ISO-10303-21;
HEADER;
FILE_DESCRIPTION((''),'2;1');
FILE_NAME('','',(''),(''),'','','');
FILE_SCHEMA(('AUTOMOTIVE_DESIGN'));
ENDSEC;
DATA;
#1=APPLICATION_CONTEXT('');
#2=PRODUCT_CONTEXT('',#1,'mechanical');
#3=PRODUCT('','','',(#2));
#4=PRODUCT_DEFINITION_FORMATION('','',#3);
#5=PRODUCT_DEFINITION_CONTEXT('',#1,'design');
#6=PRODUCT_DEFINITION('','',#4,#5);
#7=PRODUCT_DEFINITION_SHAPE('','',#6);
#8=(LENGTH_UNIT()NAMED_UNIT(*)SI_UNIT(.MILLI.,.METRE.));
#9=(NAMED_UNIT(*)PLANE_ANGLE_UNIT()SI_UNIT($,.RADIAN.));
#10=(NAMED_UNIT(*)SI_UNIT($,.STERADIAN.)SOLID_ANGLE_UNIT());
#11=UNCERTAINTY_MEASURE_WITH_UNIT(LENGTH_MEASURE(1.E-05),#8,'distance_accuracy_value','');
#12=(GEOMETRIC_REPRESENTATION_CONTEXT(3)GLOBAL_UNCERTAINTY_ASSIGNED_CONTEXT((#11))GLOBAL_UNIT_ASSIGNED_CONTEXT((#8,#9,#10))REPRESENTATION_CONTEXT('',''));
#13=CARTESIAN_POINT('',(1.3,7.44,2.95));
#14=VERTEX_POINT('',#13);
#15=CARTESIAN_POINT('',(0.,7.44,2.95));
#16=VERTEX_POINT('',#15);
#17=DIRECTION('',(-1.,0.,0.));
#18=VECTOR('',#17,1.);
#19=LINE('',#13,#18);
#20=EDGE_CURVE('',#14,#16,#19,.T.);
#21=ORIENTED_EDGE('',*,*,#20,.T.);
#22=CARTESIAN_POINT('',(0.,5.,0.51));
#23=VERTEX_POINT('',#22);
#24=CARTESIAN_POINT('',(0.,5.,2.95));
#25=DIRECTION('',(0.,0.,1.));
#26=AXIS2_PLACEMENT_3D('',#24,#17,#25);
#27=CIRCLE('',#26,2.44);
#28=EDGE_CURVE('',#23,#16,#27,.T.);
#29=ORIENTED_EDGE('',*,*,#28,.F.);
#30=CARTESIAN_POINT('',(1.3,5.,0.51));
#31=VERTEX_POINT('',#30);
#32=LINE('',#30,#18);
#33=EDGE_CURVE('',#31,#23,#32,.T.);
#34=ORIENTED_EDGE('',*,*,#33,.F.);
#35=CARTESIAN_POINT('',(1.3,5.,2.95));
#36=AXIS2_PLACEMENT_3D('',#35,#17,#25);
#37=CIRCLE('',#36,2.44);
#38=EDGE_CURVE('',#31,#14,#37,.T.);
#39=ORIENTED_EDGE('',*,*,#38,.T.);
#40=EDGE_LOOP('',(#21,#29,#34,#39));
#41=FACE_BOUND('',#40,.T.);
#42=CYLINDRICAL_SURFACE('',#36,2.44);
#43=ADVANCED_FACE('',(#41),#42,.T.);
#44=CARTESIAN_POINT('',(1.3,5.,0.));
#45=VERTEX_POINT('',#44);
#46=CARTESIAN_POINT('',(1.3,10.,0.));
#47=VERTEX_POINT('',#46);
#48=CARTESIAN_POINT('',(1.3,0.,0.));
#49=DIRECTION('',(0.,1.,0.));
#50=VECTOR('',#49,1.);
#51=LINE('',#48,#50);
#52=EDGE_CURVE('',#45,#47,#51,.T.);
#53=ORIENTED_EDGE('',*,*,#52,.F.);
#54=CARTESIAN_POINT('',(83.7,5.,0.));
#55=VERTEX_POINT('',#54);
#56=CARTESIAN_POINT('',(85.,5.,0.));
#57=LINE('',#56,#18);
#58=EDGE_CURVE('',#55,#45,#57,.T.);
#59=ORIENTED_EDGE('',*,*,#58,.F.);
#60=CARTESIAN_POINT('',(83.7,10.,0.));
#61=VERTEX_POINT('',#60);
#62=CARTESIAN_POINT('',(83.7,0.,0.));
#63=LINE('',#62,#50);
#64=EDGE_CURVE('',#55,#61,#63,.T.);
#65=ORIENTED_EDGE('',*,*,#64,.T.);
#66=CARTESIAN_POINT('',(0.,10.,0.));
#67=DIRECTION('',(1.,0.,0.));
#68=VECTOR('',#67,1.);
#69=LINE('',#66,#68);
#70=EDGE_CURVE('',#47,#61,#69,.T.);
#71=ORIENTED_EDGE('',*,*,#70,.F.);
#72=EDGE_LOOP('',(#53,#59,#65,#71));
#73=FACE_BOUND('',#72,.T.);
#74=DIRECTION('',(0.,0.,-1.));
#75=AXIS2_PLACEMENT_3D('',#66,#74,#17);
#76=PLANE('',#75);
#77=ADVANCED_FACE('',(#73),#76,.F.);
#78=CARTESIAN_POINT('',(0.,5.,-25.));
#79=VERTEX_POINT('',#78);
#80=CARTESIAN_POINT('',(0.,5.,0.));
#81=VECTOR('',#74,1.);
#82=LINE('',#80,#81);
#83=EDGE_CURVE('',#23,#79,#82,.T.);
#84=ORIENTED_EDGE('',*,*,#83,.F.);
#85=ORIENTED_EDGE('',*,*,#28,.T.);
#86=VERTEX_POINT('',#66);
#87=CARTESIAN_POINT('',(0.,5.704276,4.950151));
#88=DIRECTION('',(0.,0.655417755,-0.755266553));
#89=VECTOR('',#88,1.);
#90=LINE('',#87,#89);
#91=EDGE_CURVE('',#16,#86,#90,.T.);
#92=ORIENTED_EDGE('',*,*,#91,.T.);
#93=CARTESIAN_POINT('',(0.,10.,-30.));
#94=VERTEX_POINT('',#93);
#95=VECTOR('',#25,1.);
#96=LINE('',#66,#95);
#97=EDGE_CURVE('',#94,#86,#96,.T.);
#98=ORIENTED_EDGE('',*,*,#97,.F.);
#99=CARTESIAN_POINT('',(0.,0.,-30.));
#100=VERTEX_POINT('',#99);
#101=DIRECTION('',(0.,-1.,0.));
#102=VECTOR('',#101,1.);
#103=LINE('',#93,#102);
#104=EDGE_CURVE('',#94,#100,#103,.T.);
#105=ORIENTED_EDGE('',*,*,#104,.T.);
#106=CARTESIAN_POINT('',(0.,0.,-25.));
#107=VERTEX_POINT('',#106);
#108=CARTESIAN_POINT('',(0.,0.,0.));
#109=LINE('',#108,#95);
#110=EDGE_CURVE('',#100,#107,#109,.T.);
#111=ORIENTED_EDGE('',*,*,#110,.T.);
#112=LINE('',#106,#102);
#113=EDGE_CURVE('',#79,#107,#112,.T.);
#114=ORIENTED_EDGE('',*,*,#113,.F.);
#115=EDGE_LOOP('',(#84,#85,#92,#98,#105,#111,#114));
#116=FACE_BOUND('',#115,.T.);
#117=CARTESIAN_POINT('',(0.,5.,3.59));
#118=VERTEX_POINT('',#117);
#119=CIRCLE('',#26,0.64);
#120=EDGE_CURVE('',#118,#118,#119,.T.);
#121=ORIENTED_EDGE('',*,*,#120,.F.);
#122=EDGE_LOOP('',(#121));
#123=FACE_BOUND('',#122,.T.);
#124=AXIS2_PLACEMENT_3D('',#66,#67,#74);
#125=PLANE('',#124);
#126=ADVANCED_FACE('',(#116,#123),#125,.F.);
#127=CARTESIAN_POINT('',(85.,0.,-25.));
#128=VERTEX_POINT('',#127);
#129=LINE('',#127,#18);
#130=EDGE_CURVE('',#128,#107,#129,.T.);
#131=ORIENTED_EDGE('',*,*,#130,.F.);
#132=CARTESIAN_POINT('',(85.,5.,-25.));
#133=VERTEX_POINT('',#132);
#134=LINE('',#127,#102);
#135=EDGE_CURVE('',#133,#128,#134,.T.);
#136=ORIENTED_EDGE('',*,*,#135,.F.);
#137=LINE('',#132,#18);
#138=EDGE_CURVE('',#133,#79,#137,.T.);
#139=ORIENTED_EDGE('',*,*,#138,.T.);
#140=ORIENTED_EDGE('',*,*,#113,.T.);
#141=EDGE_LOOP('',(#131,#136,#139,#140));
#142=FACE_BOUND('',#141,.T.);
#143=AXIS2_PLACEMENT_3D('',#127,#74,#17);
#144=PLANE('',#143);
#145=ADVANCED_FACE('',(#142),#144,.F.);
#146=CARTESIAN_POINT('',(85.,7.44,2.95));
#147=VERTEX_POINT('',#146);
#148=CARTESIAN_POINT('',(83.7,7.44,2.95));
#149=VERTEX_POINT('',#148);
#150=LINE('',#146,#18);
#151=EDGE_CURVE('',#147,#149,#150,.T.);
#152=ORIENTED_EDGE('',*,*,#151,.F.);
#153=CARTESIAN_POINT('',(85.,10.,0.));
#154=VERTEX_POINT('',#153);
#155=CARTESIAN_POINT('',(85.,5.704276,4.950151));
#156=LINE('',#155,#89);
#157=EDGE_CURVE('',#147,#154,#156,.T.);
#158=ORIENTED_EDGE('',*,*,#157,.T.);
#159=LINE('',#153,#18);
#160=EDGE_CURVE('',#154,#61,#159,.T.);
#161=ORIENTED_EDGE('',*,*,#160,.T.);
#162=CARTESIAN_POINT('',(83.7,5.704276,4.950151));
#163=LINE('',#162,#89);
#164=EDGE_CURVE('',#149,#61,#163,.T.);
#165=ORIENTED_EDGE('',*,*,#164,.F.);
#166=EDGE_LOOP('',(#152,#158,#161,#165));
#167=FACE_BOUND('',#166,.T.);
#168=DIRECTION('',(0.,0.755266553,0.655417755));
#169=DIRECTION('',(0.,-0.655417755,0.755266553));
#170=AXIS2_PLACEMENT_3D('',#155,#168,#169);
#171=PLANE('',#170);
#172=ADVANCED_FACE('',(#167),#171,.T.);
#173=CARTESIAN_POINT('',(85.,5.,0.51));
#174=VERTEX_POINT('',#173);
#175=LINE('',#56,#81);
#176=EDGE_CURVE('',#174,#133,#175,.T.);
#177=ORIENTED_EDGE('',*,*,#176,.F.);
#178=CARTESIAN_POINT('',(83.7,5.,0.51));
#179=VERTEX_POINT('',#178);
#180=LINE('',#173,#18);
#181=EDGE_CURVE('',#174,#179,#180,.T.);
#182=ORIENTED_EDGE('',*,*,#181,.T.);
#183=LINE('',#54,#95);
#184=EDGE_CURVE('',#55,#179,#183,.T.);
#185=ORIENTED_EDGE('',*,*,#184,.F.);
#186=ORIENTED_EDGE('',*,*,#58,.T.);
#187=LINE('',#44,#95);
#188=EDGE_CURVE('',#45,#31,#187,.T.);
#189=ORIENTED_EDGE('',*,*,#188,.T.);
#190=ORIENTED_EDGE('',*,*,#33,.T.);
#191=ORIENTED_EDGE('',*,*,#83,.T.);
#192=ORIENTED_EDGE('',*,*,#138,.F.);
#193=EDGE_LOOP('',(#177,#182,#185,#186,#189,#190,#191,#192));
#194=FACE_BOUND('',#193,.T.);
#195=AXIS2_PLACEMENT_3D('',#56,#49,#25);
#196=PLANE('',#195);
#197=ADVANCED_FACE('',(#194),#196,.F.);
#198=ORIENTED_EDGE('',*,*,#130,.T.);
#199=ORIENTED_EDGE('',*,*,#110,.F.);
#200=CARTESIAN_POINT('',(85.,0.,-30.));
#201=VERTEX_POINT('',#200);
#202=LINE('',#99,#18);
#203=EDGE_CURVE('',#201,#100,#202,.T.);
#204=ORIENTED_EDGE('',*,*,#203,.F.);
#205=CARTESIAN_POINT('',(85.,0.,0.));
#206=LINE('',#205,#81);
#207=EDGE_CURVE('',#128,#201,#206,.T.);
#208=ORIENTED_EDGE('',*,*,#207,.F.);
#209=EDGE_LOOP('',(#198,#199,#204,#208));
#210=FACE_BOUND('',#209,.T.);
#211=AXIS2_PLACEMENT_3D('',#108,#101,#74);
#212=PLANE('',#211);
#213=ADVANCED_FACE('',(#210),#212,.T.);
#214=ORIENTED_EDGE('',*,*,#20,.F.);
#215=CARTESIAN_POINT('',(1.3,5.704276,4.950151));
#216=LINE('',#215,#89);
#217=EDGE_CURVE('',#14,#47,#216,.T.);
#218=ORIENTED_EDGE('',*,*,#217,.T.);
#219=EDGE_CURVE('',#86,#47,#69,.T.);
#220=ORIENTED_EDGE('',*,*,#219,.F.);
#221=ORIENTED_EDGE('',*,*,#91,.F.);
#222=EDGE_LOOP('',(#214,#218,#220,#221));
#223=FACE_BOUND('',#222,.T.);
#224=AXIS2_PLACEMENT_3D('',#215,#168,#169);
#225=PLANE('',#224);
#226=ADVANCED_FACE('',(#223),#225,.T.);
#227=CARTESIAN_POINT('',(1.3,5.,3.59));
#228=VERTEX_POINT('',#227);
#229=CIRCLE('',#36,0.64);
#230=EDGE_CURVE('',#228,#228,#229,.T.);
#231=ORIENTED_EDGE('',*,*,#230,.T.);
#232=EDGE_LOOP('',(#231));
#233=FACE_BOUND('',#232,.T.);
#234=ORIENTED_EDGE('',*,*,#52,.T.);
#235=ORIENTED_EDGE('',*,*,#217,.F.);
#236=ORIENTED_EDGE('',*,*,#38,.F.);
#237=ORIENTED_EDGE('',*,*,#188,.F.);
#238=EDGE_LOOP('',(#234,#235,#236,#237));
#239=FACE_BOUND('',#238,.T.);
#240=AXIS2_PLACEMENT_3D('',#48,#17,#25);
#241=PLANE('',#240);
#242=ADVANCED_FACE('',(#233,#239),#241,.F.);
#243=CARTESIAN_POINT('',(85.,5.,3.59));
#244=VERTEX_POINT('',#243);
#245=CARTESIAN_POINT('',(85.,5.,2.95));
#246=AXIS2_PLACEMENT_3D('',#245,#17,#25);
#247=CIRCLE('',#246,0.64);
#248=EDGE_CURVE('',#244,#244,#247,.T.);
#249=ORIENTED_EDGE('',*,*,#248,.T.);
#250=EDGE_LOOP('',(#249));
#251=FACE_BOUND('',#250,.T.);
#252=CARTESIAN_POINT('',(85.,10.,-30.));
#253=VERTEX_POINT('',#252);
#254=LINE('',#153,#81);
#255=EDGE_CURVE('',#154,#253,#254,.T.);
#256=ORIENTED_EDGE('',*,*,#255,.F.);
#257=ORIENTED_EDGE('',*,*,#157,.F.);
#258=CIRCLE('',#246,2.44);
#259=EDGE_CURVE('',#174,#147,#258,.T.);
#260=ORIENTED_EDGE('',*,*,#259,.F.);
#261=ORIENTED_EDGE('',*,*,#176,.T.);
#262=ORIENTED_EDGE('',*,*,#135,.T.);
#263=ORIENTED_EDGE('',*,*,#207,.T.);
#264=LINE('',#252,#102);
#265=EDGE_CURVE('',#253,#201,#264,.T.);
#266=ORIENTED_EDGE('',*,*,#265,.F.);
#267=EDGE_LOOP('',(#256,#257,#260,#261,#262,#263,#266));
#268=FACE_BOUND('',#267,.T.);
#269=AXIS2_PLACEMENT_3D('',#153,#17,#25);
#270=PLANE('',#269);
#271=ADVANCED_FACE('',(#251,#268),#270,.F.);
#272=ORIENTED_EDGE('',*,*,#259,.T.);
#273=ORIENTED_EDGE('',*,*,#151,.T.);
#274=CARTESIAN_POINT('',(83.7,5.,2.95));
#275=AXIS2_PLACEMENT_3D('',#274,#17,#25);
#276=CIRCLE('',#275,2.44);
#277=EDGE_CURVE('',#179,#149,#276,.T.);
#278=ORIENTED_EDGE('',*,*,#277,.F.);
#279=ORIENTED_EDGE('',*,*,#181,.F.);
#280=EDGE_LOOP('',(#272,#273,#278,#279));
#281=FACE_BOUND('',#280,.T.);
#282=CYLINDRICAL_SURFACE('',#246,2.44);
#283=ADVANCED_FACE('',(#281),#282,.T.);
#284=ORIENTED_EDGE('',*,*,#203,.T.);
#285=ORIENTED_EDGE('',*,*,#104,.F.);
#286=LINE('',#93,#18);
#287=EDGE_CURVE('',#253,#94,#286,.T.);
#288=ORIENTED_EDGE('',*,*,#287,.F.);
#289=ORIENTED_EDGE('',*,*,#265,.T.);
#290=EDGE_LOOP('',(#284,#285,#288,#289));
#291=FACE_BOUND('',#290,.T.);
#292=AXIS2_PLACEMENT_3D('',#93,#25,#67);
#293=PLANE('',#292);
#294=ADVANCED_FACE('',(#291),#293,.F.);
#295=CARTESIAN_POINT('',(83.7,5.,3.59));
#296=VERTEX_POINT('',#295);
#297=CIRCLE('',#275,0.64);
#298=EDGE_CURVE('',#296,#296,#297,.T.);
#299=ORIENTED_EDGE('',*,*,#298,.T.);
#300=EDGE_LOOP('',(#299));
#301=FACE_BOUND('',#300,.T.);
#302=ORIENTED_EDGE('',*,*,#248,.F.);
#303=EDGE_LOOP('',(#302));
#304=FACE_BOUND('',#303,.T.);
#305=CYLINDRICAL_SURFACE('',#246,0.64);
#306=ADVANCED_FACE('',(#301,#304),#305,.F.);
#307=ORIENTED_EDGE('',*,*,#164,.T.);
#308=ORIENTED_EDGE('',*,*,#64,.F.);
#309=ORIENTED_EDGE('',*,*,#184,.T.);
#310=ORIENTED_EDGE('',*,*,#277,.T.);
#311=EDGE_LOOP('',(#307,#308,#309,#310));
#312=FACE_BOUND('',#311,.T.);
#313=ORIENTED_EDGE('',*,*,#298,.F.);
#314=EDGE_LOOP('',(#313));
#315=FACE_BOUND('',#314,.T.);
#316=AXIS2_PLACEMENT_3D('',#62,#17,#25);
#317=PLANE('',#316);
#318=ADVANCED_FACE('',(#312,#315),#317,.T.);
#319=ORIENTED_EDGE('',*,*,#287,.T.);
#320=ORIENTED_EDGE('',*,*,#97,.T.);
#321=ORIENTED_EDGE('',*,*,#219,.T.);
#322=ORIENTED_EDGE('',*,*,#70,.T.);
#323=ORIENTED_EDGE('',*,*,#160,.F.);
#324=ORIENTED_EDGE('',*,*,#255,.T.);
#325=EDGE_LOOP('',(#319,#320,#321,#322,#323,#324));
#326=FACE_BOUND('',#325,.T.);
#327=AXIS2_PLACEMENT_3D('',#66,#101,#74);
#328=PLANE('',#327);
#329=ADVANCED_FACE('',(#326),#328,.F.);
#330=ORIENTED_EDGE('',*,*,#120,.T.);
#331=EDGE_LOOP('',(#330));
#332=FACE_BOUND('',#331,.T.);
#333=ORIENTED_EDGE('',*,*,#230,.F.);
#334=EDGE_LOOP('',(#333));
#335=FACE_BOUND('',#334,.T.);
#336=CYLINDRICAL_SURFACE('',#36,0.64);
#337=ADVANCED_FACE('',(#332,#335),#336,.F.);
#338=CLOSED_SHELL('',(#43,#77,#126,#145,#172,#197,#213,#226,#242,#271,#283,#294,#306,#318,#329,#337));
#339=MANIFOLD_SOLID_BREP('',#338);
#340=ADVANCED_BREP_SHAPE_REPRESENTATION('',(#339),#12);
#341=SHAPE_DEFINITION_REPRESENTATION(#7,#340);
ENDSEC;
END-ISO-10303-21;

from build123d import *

# Parameters (mm, degrees)
SKETCH1_W             = 85
SKETCH1_H             = 30
TOP_SURFACE_DEPTH     = 10
SKETCH6_W             = 25
SKETCH6_H             = 5
TOP_SURFACE_CUT_DEPTH = 91.691785736
SKETCH16_R            = 0.64
BOSS_EXTRUDE14_DEPTH  = 1.3
LPATTERN3_COUNT       = 2
LPATTERN3_PITCH       = 83.7


with BuildPart() as part:
    # Sketch1 → Top surface (new body)
    with BuildSketch(Plane(origin=(0, 0, 0), x_dir=(1, 0, 0), z_dir=(0, 1, 0))):
        with Locations((42.5, 15)):
            Rectangle(SKETCH1_W, SKETCH1_H)
    extrude(amount=TOP_SURFACE_DEPTH)

    # Sketch6 → Top surface cut (cut, through all)
    with BuildSketch(Plane.ZY):
        with Locations((-12.5, 2.5)):
            Rectangle(SKETCH6_W, SKETCH6_H)
    extrude(amount=-TOP_SURFACE_CUT_DEPTH, mode=Mode.SUBTRACT)

    # Sketch16 → Boss-Extrude14 (add)
    with BuildSketch(Plane.ZY):
        with BuildLine():
            Line((0, 10), (0, 5))
            Line((0, 5), (0.51, 5))
            ThreePointArc((0.51, 5), (4.675340546, 3.274659454), (2.95, 7.44))
            Line((2.95, 7.44), (0, 10))
        make_face()
        with Locations((2.95, 5)):
            Circle(SKETCH16_R, mode=Mode.SUBTRACT)
    boss_extrude14 = extrude(amount=-BOSS_EXTRUDE14_DEPTH)

    # LPattern3: Boss-Extrude14 ×2
    with Locations(*[(i * LPATTERN3_PITCH, 0, 0) for i in range(1, LPATTERN3_COUNT)]):
        add(boss_extrude14)


solid = part.part
